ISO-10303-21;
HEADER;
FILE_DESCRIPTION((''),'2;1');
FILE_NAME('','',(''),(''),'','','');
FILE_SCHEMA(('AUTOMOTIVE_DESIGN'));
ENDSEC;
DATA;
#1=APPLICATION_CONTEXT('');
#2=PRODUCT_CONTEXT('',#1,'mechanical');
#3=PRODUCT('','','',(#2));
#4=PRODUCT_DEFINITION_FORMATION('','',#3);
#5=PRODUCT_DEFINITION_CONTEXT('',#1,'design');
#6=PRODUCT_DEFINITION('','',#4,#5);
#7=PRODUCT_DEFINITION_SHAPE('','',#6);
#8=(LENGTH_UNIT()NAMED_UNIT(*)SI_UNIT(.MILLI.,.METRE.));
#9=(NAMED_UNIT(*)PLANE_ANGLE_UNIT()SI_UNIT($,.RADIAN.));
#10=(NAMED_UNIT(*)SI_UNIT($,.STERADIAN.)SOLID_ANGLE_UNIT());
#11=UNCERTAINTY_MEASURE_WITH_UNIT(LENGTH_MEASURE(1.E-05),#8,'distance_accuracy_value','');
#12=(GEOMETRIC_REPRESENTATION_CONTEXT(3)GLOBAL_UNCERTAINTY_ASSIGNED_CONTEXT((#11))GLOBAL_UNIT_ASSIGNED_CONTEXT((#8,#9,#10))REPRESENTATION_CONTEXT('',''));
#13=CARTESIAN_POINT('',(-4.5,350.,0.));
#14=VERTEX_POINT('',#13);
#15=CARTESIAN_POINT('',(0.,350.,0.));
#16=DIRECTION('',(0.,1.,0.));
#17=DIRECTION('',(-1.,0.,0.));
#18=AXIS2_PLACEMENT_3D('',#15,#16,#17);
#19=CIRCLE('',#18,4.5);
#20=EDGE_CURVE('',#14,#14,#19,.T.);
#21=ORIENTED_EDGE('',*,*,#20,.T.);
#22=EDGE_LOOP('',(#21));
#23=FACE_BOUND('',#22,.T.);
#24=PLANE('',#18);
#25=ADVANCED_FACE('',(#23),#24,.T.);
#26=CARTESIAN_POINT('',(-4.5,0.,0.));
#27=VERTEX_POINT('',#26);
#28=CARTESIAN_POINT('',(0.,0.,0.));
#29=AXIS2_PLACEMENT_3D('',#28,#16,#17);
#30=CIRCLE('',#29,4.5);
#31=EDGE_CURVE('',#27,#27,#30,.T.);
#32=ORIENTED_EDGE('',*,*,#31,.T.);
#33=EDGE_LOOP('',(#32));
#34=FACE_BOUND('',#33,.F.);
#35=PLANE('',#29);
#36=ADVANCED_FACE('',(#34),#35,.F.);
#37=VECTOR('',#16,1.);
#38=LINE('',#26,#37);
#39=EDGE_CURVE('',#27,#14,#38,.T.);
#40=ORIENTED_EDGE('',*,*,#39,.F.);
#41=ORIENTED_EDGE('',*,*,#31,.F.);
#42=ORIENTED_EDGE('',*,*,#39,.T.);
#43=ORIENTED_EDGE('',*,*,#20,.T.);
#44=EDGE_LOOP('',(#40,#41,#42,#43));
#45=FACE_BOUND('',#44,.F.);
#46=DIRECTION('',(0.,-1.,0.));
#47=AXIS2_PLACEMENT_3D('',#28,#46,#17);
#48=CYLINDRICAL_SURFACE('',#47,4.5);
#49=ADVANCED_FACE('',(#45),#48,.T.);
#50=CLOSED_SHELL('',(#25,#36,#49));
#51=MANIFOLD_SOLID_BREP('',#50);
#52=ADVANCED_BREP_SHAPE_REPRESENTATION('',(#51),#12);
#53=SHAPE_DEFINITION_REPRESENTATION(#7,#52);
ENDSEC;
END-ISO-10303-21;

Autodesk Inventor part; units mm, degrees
ref_plane "YZ Plane" through (0, 0, 0) normal (1, 0, 0) x (0, 1, 0)
ref_plane "XZ Plane" through (0, 0, 0) normal (0, 1, 0) x (-1, 0, 0)
ref_plane "XY Plane" through (0, 0, 0) normal (0, 0, 1) x (1, 0, 0)
sketch "Sketch1" plane through (0, 0, 0) normal (0, 1, 0) x (-1, 0, 0)
  circle A0 centre (0, 0) radius 4.5
  dimension "d0" = 9
extrude "Extrusion1" add sketch "Sketch1" along normal blind 350
thread "Thread1" size "M9x1.25" class "6g" standard "ISO Metric profile" length 20
thread "Thread2" size "M9x1.25" class "6g" standard "ANSI Metric M Profile" length 20
properties part number "Pret mocujacy" material "Stainless Steel"
